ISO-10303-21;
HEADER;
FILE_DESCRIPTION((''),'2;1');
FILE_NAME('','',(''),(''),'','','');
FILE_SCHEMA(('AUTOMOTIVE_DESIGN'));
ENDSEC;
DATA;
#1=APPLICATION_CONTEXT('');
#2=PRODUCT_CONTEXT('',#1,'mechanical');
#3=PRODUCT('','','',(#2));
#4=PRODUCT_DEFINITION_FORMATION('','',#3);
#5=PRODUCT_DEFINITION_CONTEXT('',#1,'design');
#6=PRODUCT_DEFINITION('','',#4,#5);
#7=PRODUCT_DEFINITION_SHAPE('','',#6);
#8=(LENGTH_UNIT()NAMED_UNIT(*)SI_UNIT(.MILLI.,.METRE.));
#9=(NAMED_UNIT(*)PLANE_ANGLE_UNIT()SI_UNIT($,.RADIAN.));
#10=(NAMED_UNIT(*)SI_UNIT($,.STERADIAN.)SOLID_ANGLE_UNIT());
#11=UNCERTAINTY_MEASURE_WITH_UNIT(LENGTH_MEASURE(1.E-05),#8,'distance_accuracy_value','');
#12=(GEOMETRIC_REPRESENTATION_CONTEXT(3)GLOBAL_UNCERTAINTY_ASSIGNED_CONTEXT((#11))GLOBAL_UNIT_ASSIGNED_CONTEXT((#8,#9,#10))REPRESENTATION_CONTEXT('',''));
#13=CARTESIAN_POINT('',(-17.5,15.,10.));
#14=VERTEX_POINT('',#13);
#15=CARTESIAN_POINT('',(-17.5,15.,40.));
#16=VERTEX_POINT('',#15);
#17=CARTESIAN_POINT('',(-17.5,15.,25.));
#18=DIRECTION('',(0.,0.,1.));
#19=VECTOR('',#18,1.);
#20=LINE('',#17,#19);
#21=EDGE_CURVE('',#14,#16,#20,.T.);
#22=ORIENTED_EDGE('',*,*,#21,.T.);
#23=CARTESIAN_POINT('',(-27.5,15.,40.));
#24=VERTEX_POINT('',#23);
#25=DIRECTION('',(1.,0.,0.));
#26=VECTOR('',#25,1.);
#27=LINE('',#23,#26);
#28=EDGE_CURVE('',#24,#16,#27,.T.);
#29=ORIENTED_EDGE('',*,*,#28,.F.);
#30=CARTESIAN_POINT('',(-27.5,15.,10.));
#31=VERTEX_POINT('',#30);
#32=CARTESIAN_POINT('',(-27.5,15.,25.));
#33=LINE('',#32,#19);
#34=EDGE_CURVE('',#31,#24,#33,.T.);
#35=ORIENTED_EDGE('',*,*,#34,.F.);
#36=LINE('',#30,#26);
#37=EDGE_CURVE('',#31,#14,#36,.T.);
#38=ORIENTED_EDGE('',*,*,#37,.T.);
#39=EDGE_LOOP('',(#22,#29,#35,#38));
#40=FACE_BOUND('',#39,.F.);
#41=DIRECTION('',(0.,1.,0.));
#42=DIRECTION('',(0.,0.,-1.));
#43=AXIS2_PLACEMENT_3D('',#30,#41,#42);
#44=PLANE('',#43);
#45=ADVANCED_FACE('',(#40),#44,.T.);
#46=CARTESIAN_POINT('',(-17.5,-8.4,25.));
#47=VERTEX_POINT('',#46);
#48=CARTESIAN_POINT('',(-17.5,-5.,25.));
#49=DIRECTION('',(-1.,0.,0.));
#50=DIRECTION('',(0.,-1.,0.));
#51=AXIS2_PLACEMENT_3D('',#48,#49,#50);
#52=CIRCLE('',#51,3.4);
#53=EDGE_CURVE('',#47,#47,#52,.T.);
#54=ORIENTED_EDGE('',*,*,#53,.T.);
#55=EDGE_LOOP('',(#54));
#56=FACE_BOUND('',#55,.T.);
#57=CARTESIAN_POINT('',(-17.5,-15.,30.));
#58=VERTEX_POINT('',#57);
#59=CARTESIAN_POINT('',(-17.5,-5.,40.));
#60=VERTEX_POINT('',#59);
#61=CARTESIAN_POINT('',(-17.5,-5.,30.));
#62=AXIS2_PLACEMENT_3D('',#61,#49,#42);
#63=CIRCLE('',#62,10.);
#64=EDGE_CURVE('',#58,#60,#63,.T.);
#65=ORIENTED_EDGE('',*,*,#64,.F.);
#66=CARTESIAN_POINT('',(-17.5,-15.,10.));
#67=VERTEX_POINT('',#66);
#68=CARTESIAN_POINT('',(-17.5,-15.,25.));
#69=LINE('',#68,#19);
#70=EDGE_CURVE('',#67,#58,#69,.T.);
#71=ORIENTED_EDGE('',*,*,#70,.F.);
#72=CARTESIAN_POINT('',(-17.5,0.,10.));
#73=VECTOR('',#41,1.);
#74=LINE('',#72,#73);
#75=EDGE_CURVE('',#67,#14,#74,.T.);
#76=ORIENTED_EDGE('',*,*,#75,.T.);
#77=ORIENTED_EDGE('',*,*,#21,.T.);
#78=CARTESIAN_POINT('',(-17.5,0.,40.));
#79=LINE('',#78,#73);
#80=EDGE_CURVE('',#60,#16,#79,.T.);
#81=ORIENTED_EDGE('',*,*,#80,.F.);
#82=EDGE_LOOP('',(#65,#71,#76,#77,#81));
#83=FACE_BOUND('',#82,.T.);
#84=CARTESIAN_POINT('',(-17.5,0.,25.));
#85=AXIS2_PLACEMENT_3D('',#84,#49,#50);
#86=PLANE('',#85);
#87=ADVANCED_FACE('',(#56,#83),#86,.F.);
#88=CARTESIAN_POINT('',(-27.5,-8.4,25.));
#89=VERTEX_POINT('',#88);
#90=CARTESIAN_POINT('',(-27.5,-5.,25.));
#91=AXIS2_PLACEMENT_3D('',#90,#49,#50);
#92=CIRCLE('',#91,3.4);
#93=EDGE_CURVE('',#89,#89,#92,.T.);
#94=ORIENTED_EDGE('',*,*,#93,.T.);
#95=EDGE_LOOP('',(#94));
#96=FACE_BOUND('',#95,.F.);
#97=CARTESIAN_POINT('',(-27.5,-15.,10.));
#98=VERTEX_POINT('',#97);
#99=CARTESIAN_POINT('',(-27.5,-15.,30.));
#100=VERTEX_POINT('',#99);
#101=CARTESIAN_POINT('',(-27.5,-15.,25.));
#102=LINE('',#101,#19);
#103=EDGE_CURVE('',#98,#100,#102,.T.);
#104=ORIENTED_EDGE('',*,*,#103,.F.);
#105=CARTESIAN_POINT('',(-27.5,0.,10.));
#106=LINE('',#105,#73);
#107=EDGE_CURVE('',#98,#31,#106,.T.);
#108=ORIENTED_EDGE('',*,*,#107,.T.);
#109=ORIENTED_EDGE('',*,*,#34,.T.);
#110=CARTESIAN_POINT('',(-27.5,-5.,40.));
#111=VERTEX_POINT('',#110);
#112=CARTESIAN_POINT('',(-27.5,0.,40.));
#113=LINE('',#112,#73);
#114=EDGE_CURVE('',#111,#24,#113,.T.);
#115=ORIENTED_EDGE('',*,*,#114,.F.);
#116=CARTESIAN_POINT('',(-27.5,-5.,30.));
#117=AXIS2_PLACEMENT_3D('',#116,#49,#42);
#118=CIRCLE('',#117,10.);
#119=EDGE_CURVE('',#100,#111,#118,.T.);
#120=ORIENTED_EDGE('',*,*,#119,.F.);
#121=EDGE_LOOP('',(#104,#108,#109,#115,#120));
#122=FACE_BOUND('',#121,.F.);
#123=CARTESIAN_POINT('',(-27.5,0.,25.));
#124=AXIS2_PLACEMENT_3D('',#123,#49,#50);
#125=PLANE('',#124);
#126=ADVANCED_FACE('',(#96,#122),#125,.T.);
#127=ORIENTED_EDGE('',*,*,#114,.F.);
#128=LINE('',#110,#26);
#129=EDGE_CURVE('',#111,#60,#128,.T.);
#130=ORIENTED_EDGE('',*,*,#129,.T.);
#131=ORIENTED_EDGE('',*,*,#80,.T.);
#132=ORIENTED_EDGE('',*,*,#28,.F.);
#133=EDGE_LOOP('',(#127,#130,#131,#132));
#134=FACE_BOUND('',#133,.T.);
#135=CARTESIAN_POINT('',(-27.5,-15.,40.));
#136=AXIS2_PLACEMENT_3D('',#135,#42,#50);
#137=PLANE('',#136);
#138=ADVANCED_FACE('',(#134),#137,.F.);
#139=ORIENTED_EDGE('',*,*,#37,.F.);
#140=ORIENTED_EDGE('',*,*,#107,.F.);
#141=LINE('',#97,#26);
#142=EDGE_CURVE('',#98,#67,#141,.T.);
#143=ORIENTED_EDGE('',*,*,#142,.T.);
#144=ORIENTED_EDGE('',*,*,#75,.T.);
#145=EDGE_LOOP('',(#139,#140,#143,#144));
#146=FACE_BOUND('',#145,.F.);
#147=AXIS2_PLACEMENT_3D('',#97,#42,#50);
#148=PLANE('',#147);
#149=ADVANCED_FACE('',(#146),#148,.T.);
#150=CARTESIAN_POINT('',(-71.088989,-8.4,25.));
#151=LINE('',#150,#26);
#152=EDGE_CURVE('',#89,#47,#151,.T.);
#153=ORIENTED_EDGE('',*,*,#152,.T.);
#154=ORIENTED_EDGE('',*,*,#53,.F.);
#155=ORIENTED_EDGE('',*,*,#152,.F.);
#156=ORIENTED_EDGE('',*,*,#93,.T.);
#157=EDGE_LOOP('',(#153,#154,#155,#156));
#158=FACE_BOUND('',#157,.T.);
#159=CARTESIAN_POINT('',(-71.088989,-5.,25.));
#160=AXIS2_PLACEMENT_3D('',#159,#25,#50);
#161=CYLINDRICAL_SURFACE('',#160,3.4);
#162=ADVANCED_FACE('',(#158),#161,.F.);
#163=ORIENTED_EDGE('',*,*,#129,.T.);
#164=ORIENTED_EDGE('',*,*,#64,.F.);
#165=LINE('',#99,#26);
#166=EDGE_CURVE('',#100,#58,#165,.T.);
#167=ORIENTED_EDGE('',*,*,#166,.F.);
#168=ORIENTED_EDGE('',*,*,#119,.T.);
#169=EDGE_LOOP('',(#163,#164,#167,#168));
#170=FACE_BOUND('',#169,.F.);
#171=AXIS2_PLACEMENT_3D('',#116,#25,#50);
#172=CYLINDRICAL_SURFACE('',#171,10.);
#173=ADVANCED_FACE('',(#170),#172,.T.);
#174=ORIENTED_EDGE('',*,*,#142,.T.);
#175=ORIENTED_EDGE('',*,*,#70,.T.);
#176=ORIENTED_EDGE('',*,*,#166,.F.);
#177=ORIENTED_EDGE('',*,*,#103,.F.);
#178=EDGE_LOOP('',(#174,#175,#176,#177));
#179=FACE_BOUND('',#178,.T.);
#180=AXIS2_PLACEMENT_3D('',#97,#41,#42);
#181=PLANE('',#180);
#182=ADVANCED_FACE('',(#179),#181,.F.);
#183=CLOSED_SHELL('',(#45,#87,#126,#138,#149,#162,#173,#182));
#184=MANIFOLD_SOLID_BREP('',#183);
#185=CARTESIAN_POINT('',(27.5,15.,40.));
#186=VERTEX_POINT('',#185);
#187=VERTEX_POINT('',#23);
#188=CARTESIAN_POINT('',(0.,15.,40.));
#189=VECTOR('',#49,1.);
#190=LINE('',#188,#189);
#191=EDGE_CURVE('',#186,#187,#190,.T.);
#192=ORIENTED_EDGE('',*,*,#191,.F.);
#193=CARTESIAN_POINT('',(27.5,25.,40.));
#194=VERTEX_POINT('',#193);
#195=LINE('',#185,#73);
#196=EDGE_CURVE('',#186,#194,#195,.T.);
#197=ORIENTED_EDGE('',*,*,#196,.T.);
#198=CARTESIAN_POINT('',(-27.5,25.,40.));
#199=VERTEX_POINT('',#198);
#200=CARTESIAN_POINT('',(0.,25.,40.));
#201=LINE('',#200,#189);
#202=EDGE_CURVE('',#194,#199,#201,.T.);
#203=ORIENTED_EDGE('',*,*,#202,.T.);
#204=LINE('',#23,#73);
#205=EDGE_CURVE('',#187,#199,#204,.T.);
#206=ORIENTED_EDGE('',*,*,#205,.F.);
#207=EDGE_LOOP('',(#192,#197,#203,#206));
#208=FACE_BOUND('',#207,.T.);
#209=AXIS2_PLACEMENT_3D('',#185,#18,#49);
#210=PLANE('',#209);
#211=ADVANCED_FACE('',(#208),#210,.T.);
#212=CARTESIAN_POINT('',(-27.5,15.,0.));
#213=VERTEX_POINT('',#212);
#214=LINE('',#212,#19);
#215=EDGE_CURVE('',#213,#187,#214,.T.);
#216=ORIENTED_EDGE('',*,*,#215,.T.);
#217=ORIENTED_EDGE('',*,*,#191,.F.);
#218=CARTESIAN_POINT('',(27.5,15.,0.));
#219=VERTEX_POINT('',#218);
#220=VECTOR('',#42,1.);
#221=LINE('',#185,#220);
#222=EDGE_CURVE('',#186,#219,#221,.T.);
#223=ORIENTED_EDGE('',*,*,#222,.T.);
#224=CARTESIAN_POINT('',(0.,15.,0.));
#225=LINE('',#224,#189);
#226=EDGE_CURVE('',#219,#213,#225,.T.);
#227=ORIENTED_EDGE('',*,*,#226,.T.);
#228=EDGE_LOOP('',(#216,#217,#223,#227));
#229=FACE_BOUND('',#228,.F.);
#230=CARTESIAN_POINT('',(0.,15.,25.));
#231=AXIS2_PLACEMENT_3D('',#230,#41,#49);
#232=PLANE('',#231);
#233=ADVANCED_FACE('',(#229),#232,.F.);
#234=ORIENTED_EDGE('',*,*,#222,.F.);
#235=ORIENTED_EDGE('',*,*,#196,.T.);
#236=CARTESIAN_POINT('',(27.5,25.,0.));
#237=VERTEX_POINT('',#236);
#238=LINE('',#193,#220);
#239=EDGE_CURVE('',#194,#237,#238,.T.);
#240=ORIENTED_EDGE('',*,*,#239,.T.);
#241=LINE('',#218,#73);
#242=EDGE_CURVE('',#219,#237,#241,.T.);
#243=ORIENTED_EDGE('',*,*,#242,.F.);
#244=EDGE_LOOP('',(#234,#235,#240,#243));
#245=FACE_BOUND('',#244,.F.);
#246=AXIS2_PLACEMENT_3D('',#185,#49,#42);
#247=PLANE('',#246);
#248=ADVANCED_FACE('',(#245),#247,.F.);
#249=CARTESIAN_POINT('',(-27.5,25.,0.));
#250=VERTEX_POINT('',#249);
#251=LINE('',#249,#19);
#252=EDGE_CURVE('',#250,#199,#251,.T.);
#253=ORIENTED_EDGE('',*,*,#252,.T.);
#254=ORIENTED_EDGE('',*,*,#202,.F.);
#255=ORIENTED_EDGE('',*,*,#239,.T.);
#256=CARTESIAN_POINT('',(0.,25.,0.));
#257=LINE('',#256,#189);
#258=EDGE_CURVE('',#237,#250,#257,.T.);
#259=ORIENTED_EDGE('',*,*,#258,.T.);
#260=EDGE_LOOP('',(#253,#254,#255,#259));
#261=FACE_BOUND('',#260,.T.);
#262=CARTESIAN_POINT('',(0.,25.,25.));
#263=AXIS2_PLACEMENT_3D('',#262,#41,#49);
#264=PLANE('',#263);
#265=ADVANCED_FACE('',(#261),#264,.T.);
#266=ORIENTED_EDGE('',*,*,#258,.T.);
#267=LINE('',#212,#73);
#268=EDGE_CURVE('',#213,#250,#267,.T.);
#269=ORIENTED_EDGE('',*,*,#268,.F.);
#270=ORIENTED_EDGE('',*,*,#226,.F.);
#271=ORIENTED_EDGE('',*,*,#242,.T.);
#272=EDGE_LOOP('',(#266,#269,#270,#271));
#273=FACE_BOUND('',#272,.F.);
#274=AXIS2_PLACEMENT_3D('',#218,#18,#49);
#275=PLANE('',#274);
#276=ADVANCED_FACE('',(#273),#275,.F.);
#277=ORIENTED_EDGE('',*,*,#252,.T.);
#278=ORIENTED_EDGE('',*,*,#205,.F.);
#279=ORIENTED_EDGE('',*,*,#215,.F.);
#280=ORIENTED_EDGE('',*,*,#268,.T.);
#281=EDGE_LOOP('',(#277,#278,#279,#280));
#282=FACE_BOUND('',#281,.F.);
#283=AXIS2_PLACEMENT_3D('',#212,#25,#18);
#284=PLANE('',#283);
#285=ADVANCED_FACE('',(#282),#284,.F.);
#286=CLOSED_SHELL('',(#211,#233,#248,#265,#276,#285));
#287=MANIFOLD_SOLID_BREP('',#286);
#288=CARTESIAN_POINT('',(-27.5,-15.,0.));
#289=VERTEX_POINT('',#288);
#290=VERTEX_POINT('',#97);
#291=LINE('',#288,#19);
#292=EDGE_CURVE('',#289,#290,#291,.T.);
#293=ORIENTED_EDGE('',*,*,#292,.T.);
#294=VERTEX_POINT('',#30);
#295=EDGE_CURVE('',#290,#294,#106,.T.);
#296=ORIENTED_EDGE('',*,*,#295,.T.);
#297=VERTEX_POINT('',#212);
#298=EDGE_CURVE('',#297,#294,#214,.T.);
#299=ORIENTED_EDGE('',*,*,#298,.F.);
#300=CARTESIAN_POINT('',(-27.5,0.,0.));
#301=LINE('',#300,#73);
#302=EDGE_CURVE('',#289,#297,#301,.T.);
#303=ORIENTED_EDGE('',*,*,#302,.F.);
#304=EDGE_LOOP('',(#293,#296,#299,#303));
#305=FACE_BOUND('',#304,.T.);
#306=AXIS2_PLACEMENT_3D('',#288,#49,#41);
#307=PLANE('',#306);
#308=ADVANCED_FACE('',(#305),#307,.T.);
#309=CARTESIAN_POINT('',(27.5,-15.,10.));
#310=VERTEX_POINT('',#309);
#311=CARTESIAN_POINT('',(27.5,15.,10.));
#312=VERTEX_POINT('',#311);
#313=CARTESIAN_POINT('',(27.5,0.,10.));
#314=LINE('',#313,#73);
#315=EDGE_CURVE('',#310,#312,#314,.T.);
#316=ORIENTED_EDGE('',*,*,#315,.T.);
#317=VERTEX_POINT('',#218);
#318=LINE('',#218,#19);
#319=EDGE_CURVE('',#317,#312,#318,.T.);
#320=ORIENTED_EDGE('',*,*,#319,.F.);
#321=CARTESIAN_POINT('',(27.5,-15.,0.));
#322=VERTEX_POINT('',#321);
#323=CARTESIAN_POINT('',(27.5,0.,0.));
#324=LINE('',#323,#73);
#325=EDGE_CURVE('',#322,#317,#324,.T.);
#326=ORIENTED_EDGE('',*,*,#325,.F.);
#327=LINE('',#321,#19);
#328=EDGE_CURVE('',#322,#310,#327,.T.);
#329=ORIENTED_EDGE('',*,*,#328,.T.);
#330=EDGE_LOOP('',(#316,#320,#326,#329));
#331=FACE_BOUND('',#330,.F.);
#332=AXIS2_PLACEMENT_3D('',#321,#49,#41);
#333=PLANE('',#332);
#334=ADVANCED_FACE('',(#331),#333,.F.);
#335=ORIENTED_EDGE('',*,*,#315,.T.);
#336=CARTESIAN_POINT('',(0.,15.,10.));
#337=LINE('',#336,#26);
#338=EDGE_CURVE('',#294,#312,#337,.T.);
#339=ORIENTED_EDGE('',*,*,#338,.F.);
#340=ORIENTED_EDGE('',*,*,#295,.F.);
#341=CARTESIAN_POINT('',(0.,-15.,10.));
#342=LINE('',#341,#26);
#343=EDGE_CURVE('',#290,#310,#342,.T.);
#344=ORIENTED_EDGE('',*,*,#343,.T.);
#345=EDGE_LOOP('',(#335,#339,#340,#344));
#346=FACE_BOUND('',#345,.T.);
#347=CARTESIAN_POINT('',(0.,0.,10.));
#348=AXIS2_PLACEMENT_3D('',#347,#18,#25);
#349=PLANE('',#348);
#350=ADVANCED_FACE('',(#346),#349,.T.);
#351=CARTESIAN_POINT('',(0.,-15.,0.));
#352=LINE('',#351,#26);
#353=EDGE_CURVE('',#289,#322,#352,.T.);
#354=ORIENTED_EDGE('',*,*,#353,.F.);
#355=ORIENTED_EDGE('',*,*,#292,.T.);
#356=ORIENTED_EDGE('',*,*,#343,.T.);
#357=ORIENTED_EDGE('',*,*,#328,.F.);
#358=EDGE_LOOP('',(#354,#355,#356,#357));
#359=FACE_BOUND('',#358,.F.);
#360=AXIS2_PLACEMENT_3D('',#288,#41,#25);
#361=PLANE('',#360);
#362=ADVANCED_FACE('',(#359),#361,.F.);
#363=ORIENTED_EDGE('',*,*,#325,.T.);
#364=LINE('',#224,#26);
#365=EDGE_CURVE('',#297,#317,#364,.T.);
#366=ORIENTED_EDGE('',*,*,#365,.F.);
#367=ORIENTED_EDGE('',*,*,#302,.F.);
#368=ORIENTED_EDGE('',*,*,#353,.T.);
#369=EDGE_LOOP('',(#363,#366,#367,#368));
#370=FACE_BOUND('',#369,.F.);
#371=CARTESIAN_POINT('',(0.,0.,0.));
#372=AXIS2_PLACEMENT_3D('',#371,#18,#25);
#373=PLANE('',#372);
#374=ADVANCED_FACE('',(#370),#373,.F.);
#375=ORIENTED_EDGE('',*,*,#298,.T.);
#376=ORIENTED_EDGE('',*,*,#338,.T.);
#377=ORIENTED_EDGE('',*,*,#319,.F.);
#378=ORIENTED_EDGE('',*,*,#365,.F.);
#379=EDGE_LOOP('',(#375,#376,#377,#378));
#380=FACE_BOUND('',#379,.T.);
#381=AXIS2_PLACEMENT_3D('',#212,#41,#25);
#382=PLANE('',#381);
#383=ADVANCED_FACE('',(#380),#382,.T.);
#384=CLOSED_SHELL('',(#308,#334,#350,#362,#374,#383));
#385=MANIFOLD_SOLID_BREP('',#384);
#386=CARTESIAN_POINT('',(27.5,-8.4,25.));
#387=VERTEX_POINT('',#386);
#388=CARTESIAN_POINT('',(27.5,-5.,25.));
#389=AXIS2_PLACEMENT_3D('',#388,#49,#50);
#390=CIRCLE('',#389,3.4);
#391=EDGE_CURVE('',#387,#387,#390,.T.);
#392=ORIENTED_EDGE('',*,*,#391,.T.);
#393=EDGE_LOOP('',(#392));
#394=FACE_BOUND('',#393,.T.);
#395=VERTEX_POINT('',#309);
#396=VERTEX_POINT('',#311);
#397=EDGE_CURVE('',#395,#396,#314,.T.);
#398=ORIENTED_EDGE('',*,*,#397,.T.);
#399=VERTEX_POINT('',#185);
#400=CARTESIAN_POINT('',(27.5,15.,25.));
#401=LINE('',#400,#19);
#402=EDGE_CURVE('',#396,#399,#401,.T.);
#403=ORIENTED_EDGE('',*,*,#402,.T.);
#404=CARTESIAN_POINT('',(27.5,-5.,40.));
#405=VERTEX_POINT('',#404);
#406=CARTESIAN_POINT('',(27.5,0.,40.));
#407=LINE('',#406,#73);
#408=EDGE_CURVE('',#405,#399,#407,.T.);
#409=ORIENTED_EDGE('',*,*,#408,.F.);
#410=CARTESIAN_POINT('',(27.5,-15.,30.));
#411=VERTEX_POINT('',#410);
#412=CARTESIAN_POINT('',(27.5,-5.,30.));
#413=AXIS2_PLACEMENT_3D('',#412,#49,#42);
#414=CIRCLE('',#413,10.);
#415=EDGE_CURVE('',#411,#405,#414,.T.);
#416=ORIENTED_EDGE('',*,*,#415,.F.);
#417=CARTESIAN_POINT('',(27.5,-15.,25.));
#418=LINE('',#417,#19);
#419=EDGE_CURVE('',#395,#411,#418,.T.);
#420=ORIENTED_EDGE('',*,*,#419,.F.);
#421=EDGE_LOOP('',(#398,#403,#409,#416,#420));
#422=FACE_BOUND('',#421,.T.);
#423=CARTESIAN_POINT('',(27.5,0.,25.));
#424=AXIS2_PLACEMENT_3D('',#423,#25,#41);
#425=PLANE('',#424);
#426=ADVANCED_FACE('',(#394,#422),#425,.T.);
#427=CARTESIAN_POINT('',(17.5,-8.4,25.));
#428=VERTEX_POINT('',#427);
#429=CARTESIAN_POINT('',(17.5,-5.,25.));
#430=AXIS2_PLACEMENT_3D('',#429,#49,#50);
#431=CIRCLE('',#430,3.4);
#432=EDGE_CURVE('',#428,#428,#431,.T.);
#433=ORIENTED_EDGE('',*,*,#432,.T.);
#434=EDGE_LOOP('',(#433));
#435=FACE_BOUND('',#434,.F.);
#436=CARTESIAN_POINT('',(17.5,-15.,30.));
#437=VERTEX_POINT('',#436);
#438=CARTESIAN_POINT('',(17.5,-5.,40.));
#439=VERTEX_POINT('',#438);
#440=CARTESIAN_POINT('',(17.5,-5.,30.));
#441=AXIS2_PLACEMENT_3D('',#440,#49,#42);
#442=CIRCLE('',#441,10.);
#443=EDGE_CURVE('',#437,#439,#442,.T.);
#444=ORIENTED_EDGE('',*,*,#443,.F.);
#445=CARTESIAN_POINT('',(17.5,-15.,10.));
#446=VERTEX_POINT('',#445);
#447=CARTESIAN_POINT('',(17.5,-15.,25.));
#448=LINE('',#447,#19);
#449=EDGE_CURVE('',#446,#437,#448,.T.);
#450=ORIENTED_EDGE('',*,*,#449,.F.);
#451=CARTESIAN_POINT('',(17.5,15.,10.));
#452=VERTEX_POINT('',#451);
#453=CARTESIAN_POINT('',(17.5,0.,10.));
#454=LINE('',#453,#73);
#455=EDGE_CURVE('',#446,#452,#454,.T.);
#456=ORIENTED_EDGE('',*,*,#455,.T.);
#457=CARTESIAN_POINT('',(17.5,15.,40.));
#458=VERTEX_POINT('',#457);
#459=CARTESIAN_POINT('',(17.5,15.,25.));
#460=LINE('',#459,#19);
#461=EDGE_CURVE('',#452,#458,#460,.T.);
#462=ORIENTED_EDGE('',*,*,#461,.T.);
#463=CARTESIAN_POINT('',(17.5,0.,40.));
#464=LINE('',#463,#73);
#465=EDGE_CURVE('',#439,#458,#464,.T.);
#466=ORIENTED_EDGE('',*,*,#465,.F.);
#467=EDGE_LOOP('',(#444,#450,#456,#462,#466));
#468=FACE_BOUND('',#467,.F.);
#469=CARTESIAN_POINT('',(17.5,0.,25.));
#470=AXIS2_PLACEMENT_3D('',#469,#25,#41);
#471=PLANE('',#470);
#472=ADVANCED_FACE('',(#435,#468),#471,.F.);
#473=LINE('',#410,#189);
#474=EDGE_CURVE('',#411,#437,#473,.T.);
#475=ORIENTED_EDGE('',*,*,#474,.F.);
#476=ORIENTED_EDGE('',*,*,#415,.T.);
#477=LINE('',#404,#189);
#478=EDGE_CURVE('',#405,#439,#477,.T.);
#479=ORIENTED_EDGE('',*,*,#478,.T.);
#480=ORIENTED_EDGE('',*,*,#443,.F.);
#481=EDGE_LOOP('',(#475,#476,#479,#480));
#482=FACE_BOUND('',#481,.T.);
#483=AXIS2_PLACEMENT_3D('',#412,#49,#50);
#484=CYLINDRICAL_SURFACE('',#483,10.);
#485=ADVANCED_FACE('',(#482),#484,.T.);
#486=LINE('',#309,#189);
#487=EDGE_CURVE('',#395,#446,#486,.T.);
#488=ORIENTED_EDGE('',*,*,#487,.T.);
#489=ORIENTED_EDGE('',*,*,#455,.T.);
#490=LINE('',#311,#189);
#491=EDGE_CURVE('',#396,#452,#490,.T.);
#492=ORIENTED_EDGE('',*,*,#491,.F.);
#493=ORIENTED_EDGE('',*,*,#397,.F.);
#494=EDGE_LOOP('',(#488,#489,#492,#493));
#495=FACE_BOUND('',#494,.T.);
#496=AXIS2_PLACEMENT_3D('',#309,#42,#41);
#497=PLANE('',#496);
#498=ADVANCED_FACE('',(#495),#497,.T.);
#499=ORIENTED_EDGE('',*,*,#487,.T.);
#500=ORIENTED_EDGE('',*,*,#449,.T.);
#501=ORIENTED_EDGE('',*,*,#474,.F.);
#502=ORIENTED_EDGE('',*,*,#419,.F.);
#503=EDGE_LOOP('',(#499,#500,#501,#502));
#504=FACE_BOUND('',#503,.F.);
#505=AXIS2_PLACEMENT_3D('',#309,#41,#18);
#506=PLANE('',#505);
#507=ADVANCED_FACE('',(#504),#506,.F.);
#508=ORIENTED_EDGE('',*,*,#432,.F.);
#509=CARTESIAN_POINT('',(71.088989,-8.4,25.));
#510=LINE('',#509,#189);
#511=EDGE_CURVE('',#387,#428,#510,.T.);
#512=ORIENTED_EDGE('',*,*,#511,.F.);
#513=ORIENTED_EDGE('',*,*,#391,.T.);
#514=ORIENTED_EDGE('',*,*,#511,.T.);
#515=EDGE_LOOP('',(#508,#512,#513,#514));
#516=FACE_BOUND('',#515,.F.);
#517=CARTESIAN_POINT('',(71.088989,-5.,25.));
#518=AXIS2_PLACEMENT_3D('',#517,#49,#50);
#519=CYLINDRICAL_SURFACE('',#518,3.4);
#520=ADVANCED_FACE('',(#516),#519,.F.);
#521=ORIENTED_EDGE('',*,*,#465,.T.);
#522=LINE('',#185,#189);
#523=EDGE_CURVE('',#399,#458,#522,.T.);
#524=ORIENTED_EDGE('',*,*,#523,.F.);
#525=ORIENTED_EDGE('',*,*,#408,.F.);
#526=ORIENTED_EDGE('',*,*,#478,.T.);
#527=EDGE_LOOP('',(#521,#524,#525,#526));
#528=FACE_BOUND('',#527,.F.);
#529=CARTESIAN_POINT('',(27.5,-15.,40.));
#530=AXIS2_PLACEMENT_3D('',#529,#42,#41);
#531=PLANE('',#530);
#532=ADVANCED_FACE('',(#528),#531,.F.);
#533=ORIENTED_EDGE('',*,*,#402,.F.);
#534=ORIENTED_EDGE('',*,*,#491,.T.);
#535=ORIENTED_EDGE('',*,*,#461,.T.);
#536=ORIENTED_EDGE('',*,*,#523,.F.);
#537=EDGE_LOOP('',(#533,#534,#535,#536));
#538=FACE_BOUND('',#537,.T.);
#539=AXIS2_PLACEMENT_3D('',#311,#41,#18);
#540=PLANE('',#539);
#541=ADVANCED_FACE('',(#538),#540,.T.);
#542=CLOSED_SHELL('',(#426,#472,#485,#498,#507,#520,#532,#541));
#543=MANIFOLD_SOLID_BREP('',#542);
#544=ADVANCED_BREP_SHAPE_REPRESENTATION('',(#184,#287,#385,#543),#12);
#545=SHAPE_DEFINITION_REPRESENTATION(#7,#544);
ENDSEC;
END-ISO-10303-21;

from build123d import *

# Parameters (mm, degrees)
F0_W     = 55
F0_H     = 30
F1_DEPTH = 10
F2_W     = 55
F2_H     = 30
F2_H_2   = 10
F3_DEPTH = 10
F4_W     = 30
F4_H     = 30
F5_DEPTH = 10
F6_R     = 10
F8_D     = 6.8


with BuildPart() as f1:
    # F0 (on Top) → F1 (new body)
    with BuildSketch(Plane.XY):
        Rectangle(F0_W, F0_H)
    extrude(amount=F1_DEPTH)


with BuildPart() as f3:
    # F2 (on face) → F3 (new body)
    with BuildSketch(Plane(origin=(0, 15, 0), x_dir=(-1, 0, 0), z_dir=(0, 1, 0))):
        with Locations((0, 25)):
            Rectangle(F2_W, F2_H)
        with Locations((0, 5)):
            Rectangle(F2_W, F2_H_2)
    extrude(amount=F3_DEPTH)


with BuildPart() as f5:
    # F4 (on face) → F5 (new body)
    with BuildSketch(Plane.YZ.offset(27.5)):
        with Locations((0, 25)):
            Rectangle(F4_W, F4_H)
    extrude(amount=-F5_DEPTH)

    # F6
    f6_edges = [f5.edges().sort_by_distance(p)[0] for p in [
        (22.5, -15, 40),
    ]]
    fillet(f6_edges, radius=F6_R)

    # F8 (through all)
    with Locations(Plane.YZ.offset(27.5)):
        with Locations((-5, 25)):
            Hole(F8_D / 2)


with BuildPart() as f9_1:
    # F9: instance of F5
    add(f5.part.mirror(Plane.YZ))


solid = Compound([f1.part, f3.part, f5.part, f9_1.part])
